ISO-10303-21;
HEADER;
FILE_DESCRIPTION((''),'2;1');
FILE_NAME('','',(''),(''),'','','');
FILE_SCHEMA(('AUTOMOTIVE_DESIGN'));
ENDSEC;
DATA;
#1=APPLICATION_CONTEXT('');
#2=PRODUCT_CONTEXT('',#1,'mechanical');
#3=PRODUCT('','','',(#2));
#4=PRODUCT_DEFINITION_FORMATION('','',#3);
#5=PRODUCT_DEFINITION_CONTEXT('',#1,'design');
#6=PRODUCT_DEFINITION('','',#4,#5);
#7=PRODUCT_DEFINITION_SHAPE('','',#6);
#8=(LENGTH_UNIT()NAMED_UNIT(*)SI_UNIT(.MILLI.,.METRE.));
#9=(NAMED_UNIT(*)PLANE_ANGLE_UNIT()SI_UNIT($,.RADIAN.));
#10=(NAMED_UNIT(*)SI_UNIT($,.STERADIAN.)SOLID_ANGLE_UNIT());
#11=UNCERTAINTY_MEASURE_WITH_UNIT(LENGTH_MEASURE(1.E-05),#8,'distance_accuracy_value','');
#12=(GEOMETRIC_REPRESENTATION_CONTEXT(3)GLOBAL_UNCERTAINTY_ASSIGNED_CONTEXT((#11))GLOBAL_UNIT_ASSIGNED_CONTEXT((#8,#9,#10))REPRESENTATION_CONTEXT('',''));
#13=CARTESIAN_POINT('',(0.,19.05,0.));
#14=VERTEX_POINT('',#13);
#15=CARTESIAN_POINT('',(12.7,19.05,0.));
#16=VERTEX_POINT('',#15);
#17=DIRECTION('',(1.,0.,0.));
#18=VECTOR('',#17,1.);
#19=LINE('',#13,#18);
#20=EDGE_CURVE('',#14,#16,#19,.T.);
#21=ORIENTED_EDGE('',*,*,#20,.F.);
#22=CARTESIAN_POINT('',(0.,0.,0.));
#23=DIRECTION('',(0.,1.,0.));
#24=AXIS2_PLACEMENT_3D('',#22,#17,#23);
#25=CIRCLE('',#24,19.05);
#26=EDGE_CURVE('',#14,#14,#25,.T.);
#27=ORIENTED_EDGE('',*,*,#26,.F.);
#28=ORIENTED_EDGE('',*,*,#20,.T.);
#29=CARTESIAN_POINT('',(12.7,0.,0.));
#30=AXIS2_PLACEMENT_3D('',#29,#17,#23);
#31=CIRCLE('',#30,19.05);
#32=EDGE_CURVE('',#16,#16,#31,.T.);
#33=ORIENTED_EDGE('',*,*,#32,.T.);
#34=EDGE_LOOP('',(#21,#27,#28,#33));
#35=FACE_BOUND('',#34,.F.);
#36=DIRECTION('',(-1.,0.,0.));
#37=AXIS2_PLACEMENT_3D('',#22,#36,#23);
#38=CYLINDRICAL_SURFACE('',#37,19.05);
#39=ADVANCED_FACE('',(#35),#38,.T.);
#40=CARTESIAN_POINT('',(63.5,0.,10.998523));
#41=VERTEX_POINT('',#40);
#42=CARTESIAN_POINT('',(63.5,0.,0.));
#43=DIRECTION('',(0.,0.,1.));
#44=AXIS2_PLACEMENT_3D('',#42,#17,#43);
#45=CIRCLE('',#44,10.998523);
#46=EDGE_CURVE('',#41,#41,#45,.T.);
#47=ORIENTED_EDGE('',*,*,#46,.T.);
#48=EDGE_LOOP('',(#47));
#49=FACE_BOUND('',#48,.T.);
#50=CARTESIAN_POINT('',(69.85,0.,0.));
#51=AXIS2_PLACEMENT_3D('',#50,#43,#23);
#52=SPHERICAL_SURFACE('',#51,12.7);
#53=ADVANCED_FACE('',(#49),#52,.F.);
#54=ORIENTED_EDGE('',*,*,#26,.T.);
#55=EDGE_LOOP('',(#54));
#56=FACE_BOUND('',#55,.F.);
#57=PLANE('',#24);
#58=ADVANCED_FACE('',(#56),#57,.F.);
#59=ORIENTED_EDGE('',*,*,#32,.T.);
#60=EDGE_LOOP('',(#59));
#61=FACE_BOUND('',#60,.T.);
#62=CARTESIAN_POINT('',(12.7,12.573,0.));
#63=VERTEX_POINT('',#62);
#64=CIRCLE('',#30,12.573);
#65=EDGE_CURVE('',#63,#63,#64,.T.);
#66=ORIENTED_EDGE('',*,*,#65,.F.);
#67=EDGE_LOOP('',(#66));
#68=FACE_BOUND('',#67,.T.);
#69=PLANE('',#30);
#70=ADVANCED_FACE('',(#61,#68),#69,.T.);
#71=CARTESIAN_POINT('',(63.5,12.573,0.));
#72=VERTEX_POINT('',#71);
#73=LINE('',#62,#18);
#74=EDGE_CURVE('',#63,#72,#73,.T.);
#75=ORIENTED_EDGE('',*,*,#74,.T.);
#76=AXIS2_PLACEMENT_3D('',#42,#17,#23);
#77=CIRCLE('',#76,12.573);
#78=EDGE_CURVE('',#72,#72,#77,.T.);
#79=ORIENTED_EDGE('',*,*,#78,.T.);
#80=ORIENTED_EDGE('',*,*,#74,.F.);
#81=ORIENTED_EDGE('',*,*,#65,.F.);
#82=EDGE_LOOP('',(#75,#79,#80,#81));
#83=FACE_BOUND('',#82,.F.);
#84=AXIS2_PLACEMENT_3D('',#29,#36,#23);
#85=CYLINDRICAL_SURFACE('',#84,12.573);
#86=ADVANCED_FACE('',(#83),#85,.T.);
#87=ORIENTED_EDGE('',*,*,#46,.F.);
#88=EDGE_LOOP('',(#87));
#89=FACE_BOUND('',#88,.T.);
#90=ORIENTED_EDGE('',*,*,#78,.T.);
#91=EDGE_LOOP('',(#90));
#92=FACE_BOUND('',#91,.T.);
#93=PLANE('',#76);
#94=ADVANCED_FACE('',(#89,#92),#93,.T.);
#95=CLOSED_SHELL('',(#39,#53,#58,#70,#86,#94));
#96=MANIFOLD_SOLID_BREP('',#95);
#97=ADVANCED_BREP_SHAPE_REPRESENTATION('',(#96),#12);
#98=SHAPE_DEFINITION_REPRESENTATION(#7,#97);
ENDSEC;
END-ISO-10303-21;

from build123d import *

# Parameters (mm, degrees)
F0_R     = 19.05
F1_DEPTH = 12.7
F2_R     = 12.573
F3_DEPTH = 50.8


with BuildPart() as f1:
    # F0 (on Right) → F1 (new body)
    with BuildSketch(Plane.YZ):
        Circle(F0_R)
    extrude(amount=F1_DEPTH)

    # F2 (on face) → F3 (join)
    with BuildSketch(Plane.YZ.offset(12.7)):
        Circle(F2_R)
    extrude(amount=F3_DEPTH)

    # F5 (on offset) → F6 (revolve, cut)
    with BuildSketch(Plane.YZ.offset(69.85)):
        with BuildLine():
            Line((0, 12.7), (0, -12.7))
            ThreePointArc((0, -12.7), (12.7, 0), (0, 12.7))
        make_face()
    revolve(axis=Axis((69.85, 0, 0), (0, 0, -1)), mode=Mode.SUBTRACT)


solid = f1.part
